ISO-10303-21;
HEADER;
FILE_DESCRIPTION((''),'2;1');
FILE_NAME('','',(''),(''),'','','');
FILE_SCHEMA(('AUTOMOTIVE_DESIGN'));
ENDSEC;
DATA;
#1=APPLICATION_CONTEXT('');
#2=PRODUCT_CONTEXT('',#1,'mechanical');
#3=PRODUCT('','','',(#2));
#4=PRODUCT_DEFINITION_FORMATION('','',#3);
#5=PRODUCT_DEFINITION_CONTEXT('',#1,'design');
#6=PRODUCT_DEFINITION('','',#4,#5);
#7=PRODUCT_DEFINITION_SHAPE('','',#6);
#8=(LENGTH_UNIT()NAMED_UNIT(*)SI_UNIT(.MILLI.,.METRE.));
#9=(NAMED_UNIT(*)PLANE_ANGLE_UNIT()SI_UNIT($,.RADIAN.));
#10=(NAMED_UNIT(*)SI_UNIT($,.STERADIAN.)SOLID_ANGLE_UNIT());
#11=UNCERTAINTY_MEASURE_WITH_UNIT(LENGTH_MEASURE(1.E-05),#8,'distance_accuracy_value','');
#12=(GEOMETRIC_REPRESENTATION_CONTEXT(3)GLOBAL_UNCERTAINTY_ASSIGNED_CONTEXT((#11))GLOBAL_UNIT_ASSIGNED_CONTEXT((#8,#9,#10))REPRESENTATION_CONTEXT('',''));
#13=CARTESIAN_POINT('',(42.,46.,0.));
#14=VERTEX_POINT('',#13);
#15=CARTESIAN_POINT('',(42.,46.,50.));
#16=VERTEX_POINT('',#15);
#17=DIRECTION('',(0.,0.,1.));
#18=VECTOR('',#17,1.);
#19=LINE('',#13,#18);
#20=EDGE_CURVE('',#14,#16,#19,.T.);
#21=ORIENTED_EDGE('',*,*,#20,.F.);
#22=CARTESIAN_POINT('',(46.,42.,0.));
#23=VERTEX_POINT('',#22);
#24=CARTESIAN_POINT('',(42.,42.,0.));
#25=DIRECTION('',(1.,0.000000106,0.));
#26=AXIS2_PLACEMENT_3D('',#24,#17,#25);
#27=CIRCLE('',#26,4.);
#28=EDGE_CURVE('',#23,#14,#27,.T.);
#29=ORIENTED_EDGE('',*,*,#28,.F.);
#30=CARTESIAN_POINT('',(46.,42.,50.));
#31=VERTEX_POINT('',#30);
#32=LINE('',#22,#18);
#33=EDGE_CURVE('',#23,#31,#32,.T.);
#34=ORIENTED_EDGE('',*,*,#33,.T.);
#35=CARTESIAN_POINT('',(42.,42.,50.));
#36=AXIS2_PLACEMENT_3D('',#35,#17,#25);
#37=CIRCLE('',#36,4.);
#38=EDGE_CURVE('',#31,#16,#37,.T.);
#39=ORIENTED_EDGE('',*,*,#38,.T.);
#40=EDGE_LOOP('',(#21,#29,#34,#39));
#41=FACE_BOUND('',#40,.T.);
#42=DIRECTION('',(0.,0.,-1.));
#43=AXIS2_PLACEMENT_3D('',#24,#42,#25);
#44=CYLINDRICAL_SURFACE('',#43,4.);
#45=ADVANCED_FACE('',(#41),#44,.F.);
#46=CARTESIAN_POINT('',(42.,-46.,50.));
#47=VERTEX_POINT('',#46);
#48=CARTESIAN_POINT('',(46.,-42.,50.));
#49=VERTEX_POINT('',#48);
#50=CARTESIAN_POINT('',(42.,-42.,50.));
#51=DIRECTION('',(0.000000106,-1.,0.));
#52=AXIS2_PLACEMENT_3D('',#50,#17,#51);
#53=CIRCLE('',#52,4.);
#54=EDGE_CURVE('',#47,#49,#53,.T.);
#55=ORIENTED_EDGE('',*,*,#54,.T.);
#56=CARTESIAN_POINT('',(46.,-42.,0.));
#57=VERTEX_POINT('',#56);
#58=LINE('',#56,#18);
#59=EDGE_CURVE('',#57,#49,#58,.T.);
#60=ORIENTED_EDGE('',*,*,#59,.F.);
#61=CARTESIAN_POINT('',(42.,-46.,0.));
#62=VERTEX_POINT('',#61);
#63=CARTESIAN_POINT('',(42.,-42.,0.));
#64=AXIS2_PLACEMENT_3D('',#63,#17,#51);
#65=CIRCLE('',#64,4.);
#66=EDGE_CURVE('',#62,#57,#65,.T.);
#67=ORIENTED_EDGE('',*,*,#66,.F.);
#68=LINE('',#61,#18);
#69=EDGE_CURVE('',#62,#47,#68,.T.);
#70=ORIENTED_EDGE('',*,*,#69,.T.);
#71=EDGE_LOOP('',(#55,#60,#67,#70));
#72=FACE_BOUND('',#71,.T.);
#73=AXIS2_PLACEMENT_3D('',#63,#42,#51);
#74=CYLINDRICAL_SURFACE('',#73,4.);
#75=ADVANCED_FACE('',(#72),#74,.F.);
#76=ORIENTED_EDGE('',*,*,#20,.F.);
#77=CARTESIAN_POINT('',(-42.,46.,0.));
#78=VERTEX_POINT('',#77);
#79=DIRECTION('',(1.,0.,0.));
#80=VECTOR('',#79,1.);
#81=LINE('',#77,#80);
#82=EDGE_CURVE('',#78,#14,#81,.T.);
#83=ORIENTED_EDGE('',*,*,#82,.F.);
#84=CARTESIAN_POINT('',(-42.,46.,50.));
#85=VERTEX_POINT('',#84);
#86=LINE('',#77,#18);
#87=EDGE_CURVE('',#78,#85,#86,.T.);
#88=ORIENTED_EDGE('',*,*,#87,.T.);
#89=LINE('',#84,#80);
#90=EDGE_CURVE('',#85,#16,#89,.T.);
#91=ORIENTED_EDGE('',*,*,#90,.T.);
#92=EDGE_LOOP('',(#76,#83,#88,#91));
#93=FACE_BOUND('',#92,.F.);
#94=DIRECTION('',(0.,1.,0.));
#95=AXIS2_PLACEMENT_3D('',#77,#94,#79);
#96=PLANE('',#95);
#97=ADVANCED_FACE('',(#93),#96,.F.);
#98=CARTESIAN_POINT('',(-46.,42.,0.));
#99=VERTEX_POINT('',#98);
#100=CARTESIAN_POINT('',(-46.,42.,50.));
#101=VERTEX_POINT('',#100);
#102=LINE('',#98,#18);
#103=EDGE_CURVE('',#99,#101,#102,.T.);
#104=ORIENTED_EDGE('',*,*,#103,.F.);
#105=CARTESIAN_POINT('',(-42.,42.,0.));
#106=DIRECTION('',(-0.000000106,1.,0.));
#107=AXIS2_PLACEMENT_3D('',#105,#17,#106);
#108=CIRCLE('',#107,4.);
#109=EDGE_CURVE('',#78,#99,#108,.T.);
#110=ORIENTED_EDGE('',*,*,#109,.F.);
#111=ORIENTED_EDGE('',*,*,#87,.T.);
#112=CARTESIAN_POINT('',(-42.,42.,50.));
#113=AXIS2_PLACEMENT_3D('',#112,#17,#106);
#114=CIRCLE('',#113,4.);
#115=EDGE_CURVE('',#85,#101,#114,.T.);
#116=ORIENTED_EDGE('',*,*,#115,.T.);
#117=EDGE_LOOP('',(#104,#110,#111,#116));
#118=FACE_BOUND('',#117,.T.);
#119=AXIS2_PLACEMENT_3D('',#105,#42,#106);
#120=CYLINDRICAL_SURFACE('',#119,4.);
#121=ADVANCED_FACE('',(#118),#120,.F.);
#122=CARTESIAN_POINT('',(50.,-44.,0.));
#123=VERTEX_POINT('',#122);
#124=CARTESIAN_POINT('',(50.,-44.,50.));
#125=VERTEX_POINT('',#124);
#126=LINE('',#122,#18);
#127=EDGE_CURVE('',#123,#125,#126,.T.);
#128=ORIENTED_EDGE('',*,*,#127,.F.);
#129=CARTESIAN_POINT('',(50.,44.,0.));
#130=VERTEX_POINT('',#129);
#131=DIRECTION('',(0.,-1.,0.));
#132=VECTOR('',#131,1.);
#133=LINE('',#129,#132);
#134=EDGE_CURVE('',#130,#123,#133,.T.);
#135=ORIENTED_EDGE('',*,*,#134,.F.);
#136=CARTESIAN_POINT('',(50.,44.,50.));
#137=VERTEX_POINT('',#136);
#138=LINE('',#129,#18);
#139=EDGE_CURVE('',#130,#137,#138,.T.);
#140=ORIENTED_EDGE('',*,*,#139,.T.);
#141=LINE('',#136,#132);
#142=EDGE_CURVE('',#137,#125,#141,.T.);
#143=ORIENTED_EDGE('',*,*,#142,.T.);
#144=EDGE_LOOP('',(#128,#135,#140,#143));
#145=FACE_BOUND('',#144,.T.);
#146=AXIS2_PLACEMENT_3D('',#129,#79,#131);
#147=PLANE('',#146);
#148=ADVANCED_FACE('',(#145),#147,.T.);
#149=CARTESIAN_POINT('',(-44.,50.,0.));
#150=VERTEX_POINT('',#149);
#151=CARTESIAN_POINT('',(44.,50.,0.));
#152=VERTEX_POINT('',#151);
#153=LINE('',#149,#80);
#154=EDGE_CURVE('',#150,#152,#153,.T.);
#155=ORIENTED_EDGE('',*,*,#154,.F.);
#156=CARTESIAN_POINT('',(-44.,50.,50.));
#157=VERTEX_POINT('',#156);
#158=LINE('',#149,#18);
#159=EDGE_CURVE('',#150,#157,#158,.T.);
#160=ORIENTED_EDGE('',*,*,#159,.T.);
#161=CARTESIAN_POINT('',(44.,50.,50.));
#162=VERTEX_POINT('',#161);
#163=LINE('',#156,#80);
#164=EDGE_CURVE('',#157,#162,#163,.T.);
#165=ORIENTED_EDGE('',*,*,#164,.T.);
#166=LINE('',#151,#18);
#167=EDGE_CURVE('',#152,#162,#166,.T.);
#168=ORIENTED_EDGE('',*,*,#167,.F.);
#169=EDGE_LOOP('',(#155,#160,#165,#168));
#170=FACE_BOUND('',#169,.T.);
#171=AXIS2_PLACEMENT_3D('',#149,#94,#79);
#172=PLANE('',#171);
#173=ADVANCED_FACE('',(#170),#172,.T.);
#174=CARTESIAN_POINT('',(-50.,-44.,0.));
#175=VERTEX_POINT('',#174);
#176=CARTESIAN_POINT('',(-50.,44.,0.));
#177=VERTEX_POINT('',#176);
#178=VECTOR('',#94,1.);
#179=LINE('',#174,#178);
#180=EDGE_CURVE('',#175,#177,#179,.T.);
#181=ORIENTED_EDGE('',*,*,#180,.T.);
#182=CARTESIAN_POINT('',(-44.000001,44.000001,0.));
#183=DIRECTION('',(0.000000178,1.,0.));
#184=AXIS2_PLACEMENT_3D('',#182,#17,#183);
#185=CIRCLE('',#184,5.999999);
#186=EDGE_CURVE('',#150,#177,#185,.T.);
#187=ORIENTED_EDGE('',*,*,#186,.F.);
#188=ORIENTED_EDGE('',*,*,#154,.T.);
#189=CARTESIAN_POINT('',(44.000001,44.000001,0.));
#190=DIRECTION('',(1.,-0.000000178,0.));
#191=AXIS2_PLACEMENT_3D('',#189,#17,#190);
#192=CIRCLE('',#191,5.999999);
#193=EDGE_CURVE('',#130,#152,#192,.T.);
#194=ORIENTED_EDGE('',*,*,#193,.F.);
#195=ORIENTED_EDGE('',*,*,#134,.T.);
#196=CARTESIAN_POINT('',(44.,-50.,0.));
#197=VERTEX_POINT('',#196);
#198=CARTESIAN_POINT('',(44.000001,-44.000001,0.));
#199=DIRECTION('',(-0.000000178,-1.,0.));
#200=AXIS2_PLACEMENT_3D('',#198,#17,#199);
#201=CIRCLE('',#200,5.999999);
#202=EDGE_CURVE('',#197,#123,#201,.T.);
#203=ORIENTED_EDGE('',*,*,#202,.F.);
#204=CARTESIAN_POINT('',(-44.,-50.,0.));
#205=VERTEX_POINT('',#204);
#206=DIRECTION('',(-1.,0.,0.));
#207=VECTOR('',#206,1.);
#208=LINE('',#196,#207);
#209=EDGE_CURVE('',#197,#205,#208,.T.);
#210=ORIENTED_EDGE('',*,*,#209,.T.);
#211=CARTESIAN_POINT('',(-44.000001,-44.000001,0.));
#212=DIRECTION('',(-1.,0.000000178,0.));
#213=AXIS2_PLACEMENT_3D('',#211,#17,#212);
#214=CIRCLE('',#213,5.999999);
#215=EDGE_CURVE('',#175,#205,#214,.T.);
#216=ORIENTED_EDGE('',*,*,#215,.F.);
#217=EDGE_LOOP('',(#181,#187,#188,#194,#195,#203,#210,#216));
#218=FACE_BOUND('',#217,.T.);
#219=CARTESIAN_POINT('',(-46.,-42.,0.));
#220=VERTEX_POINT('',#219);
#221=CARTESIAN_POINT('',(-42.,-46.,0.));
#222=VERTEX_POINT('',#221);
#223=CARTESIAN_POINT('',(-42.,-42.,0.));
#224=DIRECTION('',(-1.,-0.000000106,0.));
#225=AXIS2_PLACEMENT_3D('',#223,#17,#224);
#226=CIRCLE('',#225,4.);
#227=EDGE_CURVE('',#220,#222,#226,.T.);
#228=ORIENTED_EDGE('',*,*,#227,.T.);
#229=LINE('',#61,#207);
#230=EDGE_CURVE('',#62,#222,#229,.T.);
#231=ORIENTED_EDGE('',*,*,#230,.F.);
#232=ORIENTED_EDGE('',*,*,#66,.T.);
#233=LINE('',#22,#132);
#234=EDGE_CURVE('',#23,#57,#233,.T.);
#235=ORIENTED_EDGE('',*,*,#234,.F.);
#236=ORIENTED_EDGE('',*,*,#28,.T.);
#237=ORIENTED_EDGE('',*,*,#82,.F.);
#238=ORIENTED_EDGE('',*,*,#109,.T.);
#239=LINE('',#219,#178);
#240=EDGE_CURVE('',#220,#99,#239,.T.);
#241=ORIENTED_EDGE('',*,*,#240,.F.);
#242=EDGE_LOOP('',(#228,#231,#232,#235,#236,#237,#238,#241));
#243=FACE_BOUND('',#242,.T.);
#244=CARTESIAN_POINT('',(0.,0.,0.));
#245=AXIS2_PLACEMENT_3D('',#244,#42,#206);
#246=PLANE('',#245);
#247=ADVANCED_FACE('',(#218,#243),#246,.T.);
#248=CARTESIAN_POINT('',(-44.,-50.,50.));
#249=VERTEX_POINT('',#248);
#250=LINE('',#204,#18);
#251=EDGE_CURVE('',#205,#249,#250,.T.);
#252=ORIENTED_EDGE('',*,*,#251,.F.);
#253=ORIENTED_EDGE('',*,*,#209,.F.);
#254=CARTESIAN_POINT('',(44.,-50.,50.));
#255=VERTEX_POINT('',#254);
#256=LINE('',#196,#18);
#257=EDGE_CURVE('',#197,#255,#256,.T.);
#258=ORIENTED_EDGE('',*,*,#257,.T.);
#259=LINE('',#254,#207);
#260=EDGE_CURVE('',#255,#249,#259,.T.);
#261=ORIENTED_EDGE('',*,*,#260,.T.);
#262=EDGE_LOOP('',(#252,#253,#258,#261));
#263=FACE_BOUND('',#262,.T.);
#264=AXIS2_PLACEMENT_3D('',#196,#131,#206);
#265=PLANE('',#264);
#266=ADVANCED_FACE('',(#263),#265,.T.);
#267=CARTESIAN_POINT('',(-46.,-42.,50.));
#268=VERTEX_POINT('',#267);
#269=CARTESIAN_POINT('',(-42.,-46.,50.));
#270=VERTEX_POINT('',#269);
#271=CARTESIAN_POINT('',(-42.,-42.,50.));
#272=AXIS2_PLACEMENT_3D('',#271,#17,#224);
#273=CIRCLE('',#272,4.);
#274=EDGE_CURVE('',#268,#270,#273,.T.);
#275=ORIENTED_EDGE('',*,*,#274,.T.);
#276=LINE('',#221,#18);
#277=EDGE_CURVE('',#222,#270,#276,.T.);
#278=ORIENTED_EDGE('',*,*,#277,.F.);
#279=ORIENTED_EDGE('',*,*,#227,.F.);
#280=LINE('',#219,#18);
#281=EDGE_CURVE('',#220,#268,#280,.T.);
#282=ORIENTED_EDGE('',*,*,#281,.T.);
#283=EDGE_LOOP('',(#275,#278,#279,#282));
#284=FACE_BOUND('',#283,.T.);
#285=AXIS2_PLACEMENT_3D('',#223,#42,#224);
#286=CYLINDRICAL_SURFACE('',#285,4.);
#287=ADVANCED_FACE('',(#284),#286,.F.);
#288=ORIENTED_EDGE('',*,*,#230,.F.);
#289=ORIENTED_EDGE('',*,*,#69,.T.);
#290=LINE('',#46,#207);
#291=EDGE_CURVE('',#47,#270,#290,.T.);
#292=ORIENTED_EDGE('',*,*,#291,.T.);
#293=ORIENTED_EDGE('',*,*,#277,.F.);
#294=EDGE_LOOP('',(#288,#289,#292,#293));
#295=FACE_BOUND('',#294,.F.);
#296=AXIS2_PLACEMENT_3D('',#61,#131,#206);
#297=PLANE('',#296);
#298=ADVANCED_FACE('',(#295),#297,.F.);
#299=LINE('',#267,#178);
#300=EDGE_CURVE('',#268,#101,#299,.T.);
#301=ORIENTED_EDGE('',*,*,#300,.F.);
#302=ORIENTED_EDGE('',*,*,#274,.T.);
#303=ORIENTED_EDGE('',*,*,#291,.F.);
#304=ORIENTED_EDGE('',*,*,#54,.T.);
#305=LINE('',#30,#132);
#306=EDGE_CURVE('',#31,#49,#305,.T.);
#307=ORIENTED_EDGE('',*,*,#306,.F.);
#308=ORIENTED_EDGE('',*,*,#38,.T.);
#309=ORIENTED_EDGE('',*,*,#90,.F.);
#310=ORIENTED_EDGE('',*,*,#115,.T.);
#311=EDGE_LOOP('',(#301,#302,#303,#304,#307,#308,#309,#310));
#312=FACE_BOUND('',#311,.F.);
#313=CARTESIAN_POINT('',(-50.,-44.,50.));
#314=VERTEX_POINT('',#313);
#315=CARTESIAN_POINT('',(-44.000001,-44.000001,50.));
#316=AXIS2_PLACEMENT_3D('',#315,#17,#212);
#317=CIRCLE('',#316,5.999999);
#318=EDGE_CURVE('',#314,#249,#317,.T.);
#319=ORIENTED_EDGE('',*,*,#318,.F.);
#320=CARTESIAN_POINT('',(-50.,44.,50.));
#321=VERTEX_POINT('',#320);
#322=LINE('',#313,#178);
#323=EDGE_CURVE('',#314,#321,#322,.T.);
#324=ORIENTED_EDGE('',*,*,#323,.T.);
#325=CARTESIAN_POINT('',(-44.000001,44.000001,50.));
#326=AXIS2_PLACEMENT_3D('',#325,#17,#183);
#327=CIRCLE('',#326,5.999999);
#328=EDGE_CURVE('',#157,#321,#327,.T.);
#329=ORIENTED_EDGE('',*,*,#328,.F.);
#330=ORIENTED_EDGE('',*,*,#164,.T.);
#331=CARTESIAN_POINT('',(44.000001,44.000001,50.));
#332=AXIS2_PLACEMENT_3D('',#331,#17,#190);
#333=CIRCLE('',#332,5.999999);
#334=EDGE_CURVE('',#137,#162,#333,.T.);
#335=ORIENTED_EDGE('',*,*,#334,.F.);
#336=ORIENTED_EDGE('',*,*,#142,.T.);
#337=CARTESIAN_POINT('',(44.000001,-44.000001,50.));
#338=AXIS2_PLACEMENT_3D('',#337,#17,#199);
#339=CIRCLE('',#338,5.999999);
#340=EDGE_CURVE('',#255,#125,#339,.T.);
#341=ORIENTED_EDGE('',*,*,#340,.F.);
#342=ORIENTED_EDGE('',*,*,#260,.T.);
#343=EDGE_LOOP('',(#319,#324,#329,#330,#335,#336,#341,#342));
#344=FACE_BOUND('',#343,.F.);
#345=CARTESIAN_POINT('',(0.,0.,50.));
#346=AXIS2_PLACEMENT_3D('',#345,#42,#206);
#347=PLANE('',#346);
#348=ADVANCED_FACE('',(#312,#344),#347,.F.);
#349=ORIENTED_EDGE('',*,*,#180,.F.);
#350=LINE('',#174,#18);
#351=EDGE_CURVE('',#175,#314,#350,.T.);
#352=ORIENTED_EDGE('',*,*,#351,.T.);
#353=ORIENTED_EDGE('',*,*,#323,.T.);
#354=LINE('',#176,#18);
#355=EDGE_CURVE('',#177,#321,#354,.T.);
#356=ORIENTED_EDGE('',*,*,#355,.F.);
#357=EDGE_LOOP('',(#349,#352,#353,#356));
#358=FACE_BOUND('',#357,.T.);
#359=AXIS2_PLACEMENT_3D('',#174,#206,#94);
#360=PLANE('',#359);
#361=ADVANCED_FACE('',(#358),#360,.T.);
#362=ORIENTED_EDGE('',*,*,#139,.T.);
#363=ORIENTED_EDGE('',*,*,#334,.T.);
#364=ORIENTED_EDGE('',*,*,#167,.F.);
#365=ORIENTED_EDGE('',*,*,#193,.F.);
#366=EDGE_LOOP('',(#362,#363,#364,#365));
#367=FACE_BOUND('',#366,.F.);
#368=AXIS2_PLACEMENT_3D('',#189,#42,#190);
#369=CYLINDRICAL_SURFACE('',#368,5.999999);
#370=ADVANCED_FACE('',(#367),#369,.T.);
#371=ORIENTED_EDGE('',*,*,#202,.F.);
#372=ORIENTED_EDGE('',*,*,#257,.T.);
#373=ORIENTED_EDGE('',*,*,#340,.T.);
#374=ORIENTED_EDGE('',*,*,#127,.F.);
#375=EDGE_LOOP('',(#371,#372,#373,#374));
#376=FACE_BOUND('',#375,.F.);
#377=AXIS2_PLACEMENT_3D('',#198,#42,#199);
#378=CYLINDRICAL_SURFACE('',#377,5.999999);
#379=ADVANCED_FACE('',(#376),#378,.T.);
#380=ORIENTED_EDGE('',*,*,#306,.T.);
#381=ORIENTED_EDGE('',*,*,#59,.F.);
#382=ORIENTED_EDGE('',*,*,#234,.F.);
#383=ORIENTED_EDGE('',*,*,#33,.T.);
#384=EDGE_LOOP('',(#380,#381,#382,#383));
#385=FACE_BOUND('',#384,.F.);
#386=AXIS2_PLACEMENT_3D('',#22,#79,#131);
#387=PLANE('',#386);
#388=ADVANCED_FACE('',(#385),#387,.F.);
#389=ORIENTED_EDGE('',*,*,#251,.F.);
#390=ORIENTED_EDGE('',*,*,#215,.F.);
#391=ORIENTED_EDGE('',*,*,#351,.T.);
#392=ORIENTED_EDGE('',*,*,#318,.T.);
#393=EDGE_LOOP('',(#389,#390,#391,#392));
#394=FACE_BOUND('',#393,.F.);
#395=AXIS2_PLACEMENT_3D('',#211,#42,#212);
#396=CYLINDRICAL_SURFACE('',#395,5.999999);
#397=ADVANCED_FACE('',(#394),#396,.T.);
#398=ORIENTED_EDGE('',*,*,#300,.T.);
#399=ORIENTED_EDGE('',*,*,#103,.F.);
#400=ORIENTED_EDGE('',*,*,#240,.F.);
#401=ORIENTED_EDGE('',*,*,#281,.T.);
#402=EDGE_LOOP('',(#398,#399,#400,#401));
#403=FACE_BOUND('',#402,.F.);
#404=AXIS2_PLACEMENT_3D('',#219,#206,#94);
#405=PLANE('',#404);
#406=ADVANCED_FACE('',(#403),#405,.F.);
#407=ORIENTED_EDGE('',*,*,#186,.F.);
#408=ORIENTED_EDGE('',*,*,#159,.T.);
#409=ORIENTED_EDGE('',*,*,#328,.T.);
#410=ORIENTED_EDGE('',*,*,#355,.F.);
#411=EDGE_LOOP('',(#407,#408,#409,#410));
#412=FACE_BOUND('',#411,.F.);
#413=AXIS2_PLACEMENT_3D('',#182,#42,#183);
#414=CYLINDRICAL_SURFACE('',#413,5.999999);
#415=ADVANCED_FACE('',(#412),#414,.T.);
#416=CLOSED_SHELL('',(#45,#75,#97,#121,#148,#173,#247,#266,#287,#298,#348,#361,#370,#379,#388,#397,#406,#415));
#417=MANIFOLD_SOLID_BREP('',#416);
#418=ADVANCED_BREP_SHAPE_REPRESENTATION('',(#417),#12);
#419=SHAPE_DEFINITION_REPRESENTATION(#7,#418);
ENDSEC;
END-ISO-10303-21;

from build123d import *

# Parameters (mm, degrees)
EXTRUDE_DEPTH = 50


with BuildPart() as part:
    # Sketch → Extrude (new body)
    with BuildSketch(Plane.XY):
        with BuildLine():
            Line((-44, 50), (44, 50))
            ThreePointArc((50, 44), (48.242641, 48.242641), (44, 50))
            Line((50, 44), (50, -44))
            ThreePointArc((44, -50), (48.242641, -48.242641), (50, -44))
            Line((44, -50), (-44, -50))
            ThreePointArc((-50, -44), (-48.242641, -48.242641), (-44, -50))
            Line((-50, -44), (-50, 44))
            ThreePointArc((-44, 50), (-48.242641, 48.242641), (-50, 44))
        make_face()
        with BuildLine():
            Line((-42, 46), (42, 46))
            ThreePointArc((46, 42), (44.828427, 44.828427), (42, 46))
            Line((46, 42), (46, -42))
            ThreePointArc((42, -46), (44.828427, -44.828427), (46, -42))
            Line((42, -46), (-42, -46))
            ThreePointArc((-46, -42), (-44.828427, -44.828427), (-42, -46))
            Line((-46, -42), (-46, 42))
            ThreePointArc((-42, 46), (-44.828427, 44.828427), (-46, 42))
        make_face(mode=Mode.SUBTRACT)
    extrude(amount=EXTRUDE_DEPTH)


solid = part.part
